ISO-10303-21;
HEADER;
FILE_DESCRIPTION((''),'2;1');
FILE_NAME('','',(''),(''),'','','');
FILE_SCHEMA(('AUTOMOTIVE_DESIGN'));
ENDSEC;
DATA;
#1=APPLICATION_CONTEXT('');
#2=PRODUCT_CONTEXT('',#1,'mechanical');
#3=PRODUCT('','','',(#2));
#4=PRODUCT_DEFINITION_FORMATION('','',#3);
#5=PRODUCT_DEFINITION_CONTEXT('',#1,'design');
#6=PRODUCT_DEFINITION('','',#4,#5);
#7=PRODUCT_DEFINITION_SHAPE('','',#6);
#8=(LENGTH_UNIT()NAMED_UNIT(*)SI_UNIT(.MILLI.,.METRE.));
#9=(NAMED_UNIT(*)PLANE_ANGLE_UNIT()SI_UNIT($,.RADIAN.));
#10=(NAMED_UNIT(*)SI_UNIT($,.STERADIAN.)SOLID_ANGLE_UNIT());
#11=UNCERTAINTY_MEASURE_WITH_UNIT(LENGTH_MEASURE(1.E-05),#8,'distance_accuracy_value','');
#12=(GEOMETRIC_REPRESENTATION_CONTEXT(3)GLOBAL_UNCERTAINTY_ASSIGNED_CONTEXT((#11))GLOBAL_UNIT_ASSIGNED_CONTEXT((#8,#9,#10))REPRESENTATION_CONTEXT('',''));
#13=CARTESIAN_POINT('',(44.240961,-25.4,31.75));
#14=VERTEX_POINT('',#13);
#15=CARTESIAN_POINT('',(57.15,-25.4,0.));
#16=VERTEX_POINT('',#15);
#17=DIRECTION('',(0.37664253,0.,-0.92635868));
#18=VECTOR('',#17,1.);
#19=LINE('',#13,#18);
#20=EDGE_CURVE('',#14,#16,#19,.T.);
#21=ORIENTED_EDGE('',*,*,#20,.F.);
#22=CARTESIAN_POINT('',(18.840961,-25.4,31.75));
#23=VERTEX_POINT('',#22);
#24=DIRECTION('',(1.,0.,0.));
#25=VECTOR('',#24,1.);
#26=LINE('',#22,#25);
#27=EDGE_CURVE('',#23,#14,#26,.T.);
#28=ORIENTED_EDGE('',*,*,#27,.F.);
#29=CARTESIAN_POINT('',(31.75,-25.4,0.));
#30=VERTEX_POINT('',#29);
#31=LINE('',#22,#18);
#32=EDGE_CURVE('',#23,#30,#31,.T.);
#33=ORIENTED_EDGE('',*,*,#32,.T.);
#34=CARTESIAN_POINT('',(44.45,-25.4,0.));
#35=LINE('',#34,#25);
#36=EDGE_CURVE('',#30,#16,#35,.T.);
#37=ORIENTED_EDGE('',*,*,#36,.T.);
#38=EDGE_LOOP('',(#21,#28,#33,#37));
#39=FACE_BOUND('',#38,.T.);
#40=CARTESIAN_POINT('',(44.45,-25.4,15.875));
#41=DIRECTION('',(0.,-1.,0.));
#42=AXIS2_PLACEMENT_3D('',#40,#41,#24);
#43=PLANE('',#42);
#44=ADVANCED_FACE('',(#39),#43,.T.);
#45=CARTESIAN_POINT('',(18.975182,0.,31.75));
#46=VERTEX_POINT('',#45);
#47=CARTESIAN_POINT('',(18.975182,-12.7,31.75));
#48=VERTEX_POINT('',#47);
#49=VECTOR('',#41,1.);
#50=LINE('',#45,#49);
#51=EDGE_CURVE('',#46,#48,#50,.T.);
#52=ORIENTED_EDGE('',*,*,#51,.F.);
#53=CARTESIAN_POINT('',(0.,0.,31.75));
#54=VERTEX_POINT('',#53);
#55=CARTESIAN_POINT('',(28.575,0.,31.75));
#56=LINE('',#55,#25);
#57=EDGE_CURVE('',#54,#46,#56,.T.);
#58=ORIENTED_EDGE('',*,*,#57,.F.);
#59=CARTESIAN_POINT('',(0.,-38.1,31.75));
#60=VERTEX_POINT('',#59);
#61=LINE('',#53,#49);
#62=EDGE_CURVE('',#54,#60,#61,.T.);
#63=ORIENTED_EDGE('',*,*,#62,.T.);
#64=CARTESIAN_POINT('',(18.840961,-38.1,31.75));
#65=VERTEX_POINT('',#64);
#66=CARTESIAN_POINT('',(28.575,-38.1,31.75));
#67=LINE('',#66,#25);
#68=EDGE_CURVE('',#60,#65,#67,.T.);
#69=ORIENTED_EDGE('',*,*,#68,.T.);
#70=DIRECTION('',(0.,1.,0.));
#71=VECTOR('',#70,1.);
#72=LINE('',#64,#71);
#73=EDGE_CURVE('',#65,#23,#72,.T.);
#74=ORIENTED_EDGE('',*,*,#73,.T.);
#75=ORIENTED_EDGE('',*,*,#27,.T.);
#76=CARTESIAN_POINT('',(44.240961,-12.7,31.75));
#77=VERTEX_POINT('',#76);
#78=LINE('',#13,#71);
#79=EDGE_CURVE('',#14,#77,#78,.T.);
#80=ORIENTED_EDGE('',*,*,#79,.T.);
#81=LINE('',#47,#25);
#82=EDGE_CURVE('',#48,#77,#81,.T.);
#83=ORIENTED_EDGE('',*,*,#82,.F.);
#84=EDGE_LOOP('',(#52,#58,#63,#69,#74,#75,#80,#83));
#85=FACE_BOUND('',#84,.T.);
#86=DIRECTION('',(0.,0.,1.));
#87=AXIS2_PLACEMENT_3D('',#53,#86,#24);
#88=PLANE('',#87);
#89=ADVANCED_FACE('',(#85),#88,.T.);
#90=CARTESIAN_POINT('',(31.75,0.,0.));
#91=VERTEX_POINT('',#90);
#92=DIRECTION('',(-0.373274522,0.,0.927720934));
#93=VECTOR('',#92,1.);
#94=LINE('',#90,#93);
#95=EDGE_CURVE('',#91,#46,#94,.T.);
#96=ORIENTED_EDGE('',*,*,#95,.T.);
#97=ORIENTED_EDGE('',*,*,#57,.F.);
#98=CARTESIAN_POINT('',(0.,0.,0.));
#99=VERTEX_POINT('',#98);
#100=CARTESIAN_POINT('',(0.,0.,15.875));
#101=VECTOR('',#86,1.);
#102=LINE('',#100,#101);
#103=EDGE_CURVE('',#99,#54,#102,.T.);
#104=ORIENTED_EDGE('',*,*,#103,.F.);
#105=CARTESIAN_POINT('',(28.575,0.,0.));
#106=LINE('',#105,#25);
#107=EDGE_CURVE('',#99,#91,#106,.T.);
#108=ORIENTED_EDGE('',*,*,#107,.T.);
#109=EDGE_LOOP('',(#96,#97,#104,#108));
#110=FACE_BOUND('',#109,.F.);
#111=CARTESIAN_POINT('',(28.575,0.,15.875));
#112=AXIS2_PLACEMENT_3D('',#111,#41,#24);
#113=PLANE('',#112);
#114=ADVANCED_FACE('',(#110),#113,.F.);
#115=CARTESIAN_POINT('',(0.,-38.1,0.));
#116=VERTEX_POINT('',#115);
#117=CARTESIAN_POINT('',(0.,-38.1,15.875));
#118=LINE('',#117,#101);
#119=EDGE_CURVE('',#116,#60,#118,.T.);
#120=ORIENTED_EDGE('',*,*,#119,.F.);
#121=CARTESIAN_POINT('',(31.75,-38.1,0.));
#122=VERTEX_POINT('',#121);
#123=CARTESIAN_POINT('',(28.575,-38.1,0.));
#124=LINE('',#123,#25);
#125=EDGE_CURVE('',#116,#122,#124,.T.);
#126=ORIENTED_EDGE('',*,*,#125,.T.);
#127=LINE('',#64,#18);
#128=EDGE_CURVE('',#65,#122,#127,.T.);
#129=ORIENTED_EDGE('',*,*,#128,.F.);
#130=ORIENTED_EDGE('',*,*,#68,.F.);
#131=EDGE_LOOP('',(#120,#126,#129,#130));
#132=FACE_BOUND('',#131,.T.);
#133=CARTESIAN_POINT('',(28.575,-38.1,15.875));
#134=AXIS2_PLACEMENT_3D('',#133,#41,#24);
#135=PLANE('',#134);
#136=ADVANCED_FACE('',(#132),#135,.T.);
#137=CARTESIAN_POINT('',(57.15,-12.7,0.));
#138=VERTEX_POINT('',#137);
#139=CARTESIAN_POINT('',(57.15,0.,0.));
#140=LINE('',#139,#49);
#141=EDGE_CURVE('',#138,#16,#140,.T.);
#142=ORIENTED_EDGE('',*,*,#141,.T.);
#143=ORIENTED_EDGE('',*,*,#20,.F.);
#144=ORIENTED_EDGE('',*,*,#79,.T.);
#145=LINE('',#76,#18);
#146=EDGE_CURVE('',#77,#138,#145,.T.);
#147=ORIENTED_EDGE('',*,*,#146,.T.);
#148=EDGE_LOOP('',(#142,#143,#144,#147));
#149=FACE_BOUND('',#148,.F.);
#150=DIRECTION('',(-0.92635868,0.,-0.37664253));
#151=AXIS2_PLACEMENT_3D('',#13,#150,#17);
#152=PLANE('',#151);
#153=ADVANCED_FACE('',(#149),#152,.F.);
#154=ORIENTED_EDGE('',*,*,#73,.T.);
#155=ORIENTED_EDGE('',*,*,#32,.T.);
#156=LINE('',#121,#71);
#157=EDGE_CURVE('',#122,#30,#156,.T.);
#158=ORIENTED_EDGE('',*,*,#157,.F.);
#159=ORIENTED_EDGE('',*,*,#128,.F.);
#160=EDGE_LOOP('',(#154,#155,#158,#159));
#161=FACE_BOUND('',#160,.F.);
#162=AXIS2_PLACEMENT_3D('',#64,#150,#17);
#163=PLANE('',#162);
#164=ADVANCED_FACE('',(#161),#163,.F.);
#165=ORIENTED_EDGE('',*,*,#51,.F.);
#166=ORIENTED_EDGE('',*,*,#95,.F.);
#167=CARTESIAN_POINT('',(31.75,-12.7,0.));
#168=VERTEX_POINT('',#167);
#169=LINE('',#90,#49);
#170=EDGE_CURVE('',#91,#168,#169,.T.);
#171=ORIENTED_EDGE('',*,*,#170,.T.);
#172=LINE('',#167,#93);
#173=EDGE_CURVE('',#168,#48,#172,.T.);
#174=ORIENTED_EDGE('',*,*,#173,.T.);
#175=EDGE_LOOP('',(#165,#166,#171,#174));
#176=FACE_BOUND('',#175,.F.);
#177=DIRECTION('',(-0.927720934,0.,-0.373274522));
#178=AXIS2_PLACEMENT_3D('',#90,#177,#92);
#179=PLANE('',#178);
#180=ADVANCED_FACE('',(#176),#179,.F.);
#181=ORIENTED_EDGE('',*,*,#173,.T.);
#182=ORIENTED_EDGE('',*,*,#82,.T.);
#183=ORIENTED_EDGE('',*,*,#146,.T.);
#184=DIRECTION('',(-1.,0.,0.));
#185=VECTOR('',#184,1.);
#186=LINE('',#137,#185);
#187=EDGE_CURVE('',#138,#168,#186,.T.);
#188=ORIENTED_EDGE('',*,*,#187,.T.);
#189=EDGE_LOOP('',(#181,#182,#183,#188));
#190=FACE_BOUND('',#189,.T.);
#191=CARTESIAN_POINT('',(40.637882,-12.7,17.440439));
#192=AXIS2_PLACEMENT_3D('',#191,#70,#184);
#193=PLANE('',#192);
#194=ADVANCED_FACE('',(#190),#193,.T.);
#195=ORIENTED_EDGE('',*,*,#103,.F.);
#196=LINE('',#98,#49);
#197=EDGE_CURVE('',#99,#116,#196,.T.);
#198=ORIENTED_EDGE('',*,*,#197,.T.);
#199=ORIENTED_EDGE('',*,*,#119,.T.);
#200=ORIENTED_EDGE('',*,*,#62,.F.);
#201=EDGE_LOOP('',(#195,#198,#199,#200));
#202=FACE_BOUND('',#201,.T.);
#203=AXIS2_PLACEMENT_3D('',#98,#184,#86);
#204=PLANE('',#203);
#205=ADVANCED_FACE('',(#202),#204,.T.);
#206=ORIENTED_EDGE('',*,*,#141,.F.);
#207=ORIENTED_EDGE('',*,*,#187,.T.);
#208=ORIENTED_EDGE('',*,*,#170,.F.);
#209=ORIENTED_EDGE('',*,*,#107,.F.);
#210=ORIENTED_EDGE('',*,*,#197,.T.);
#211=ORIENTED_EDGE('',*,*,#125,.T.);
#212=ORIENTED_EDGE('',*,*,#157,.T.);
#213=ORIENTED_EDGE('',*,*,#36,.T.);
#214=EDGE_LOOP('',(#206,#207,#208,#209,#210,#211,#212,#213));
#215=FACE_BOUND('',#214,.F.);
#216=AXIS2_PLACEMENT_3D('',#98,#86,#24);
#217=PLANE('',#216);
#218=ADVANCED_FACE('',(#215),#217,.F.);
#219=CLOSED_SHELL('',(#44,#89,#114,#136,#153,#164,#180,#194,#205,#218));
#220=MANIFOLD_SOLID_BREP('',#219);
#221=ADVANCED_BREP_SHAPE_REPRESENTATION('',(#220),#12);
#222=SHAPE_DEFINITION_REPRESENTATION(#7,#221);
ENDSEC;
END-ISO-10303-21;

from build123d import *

# Parameters (mm, degrees)
F0_W     = 57.15
F0_H     = 31.75
F1_DEPTH = 38.1
F2_W     = 25.4
F2_H     = 31.75
F3_DEPTH = 12.7
F4_DEPTH = 12.7
F6_DEPTH = 12.7
F8_DEPTH = 12.7


with BuildPart() as f1:
    # F0 (on Front) → F1 (new body)
    with BuildSketch(Plane.XZ):
        with Locations((28.575, 15.875)):
            Rectangle(F0_W, F0_H)
    extrude(amount=F1_DEPTH)

    # F2 (on face) → F3 (cut)
    with BuildSketch(Plane.XZ.offset(38.1)):
        with Locations((44.45, 15.875)):
            Rectangle(F2_W, F2_H)
    extrude(amount=-F3_DEPTH, mode=Mode.SUBTRACT)

    # F2 (on face) → F4 (cut)
    with BuildSketch(Plane.XZ.offset(38.1)):
        Polygon((18.840961, 31.75), (31.75, 0), (31.75, 31.75), align=None)
    extrude(amount=-F4_DEPTH, mode=Mode.SUBTRACT)

    # F5 (on face) → F6 (cut)
    with BuildSketch(Plane.XZ.offset(25.4)):
        Polygon((44.240961, 31.75), (57.15, 0), (57.15, 31.75), align=None)
    extrude(amount=-F6_DEPTH, mode=Mode.SUBTRACT)

    # F7 (on face) → F8 (cut)
    with BuildSketch(Plane(origin=(0, 0, 0), x_dir=(-1, 0, 0), z_dir=(0, 1, 0))):
        Polygon((-57.15, 0), (-31.75, 0), (-18.975182, 31.75), (-57.15, 31.75), align=None)
    extrude(amount=-F8_DEPTH, mode=Mode.SUBTRACT)


solid = f1.part
